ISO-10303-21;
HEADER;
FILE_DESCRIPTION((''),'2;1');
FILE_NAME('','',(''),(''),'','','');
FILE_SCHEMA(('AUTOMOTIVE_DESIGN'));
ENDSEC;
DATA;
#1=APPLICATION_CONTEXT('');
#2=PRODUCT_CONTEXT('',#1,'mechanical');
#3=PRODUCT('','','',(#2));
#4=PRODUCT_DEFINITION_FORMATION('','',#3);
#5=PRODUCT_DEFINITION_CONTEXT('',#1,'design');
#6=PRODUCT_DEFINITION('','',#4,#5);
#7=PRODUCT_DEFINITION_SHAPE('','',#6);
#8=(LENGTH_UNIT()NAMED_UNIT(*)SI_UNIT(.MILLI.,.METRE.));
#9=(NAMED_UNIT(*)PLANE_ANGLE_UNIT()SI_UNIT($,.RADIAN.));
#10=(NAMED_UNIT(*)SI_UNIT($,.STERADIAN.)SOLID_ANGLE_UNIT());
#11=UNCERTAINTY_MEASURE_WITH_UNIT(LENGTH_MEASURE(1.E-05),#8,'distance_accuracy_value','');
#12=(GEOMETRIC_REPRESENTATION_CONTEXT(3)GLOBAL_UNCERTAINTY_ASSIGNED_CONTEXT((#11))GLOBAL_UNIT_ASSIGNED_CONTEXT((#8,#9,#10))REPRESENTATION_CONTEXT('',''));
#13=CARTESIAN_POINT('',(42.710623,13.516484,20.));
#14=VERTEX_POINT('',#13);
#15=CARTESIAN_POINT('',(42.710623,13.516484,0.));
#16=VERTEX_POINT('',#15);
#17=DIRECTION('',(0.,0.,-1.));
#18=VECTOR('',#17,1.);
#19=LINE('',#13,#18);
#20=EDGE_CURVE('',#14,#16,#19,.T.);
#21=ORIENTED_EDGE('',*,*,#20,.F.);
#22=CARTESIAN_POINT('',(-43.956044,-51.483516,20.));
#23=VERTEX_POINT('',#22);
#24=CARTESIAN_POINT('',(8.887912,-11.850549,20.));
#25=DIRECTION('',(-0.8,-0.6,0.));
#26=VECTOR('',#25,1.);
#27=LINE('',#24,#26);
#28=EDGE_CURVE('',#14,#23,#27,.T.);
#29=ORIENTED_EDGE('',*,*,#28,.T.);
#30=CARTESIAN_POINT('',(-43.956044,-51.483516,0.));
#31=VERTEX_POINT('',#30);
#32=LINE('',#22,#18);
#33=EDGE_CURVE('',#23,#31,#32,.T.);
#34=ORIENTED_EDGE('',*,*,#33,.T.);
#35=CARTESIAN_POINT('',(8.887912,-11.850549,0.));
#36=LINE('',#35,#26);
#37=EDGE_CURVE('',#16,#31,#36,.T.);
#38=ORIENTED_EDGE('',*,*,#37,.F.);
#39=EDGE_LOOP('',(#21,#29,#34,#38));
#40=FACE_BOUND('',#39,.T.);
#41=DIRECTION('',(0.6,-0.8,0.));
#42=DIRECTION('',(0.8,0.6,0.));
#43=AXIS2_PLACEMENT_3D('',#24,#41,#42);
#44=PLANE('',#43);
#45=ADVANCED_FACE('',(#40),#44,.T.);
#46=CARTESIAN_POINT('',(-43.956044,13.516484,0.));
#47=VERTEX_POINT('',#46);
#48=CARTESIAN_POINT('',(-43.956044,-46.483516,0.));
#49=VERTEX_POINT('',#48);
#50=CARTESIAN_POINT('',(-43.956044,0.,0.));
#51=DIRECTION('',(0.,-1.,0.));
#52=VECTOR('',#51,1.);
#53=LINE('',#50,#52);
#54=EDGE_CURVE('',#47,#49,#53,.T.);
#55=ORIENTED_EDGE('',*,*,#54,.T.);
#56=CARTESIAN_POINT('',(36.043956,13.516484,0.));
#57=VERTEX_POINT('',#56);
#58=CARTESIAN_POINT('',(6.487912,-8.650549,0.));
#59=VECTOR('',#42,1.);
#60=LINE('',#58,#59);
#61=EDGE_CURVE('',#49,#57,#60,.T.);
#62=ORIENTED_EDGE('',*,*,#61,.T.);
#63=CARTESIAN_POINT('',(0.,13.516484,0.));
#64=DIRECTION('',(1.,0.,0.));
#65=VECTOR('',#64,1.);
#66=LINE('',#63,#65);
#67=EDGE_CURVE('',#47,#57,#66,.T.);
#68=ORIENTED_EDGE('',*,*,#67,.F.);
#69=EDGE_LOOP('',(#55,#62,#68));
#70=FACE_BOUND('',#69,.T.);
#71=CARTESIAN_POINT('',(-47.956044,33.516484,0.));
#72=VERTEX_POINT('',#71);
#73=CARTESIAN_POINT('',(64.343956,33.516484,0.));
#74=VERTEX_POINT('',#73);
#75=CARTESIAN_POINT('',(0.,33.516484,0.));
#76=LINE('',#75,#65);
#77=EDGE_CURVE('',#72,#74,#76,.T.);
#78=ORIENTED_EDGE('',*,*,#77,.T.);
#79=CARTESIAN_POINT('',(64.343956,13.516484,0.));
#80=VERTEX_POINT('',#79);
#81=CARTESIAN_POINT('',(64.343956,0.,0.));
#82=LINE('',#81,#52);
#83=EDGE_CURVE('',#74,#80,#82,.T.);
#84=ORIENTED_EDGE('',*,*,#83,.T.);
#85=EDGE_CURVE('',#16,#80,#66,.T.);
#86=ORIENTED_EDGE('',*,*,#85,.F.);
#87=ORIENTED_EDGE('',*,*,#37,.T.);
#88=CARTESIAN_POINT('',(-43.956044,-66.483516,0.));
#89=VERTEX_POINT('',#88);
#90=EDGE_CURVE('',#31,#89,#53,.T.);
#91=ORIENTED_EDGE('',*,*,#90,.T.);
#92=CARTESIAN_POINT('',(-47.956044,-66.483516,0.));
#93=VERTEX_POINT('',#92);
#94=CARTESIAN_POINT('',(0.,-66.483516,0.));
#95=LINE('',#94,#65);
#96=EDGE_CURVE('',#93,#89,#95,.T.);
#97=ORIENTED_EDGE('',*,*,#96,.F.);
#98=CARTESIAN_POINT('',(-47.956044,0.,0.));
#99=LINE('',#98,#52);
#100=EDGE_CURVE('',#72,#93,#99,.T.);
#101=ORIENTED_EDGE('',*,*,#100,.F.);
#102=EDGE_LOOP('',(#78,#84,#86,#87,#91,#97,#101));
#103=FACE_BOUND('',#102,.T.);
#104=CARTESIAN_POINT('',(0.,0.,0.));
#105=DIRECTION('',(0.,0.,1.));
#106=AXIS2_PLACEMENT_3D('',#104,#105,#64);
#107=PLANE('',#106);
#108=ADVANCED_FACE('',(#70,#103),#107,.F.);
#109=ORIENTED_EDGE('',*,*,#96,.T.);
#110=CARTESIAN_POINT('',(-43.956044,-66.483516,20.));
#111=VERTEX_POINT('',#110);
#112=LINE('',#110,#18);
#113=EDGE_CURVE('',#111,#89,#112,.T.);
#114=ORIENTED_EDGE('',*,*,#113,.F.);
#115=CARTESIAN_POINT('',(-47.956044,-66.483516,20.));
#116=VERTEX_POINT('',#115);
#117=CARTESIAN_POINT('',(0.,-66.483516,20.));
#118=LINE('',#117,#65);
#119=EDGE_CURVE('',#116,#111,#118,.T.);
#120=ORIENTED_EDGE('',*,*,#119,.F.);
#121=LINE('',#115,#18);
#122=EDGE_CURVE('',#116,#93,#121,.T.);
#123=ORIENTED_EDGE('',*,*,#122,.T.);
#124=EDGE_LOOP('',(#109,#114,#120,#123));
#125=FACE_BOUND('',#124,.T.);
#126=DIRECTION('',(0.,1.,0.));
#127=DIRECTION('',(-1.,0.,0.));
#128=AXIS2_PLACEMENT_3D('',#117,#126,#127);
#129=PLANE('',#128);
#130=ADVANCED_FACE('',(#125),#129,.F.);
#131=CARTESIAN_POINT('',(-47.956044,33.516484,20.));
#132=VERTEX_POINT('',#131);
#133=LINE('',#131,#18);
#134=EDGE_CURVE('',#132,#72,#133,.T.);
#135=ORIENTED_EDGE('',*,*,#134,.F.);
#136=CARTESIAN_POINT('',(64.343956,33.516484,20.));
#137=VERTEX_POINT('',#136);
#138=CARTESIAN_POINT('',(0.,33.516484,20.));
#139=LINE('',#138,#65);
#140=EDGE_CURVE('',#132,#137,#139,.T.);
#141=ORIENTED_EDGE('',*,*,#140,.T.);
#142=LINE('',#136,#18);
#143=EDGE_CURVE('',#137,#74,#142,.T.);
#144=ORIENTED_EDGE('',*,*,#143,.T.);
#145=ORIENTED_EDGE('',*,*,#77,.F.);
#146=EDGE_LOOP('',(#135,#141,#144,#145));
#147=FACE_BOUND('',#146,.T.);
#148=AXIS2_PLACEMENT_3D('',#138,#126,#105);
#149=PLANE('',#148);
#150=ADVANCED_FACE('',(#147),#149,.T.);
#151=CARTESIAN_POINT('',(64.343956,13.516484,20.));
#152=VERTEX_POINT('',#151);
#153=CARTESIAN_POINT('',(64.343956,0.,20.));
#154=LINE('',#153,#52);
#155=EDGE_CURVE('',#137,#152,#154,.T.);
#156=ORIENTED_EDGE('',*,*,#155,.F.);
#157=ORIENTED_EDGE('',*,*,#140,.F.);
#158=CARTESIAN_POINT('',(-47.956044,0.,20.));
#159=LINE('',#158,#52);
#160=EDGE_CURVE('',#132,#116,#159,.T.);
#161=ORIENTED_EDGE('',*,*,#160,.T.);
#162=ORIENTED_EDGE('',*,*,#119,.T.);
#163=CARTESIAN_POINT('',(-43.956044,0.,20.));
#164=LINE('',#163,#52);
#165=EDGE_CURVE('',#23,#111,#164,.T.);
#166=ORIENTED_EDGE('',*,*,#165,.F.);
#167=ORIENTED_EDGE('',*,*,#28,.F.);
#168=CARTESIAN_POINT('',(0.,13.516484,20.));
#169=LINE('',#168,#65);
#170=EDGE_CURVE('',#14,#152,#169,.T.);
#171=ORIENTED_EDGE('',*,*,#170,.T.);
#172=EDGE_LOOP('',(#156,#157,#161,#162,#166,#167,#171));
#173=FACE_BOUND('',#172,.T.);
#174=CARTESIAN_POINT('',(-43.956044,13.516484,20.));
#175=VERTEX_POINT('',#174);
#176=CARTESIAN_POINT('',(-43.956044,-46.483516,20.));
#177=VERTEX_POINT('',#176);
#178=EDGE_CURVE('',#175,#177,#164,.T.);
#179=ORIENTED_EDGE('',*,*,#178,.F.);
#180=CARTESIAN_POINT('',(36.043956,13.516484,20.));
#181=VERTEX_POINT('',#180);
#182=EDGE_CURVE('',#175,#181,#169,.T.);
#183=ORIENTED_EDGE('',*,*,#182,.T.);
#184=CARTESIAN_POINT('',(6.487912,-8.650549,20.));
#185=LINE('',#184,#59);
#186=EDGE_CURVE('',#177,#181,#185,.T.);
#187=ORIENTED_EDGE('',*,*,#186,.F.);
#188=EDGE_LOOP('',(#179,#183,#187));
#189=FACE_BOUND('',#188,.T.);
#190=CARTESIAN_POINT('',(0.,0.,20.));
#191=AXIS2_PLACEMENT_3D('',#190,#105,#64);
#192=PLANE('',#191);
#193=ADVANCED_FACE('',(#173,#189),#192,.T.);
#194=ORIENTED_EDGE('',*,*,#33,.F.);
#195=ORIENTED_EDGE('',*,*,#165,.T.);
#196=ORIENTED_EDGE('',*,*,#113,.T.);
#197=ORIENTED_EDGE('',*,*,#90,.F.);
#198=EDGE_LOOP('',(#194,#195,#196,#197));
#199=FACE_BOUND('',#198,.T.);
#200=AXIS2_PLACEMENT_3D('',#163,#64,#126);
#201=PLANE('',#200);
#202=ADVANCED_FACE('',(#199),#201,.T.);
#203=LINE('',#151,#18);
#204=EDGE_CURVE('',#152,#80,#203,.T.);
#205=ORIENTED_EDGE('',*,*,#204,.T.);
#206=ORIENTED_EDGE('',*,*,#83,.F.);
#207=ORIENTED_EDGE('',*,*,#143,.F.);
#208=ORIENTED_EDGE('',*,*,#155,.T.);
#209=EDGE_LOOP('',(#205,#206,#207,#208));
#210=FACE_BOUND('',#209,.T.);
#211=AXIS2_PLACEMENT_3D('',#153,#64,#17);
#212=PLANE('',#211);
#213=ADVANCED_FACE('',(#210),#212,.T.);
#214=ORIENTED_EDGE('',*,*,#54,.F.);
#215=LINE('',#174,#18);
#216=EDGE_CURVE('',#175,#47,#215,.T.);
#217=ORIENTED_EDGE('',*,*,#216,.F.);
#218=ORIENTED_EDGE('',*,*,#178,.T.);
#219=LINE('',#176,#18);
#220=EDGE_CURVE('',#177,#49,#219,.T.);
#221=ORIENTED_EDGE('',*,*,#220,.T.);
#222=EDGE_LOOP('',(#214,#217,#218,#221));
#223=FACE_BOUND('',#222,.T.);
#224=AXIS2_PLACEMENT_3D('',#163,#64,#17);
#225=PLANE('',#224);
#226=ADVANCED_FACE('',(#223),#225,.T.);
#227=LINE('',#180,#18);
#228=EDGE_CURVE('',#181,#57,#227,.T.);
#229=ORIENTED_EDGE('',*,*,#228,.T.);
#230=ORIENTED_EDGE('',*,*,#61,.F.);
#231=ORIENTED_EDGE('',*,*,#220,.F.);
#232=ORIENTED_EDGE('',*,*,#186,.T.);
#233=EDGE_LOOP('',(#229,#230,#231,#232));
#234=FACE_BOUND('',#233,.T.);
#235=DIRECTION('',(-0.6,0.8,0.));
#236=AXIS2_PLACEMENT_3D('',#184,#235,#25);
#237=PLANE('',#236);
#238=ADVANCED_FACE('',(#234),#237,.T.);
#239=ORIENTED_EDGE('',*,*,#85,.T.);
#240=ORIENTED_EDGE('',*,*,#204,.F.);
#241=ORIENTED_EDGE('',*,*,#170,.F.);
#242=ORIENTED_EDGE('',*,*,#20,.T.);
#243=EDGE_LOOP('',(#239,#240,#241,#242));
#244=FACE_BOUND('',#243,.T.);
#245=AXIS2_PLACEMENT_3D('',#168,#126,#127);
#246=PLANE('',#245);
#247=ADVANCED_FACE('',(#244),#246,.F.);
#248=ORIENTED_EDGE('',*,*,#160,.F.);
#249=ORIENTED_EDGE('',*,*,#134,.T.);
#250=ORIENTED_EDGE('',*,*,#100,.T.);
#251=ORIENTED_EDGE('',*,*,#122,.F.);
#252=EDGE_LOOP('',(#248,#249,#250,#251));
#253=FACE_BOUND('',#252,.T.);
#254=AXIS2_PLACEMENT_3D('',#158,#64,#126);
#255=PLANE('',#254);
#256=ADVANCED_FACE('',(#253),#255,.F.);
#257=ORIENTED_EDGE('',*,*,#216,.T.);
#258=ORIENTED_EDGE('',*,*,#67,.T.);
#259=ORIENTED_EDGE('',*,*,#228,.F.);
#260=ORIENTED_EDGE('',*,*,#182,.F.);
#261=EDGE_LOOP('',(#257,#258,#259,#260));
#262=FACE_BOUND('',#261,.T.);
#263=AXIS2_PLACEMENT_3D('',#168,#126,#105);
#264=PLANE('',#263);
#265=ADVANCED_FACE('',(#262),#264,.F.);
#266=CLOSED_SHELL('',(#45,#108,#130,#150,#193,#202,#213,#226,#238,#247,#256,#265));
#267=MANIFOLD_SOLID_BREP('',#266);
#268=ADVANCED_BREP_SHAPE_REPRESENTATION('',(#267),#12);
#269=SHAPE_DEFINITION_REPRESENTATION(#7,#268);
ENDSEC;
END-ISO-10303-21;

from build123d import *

# Parameters (mm, degrees)
BOSS_EXTRUDE1_DEPTH = 20


with BuildPart() as part:
    # Sketch1 → Boss-Extrude1 (new body)
    with BuildSketch(Plane.XY):
        Polygon((64.343956044, 33.516483516), (-43.956043956, 33.516483516), (-47.956043956, 33.516483516), (-47.956043956, -66.483516484), (-43.956043956, -66.483516484), (-43.956043956, -51.483516484), (42.710622711, 13.516483516), (64.343956044, 13.516483516), align=None)
        Polygon((36.043956044, 13.516483516), (-43.956043956, -46.483516484), (-43.956043956, 13.516483516), align=None, mode=Mode.SUBTRACT)
    extrude(amount=BOSS_EXTRUDE1_DEPTH)


solid = part.part
